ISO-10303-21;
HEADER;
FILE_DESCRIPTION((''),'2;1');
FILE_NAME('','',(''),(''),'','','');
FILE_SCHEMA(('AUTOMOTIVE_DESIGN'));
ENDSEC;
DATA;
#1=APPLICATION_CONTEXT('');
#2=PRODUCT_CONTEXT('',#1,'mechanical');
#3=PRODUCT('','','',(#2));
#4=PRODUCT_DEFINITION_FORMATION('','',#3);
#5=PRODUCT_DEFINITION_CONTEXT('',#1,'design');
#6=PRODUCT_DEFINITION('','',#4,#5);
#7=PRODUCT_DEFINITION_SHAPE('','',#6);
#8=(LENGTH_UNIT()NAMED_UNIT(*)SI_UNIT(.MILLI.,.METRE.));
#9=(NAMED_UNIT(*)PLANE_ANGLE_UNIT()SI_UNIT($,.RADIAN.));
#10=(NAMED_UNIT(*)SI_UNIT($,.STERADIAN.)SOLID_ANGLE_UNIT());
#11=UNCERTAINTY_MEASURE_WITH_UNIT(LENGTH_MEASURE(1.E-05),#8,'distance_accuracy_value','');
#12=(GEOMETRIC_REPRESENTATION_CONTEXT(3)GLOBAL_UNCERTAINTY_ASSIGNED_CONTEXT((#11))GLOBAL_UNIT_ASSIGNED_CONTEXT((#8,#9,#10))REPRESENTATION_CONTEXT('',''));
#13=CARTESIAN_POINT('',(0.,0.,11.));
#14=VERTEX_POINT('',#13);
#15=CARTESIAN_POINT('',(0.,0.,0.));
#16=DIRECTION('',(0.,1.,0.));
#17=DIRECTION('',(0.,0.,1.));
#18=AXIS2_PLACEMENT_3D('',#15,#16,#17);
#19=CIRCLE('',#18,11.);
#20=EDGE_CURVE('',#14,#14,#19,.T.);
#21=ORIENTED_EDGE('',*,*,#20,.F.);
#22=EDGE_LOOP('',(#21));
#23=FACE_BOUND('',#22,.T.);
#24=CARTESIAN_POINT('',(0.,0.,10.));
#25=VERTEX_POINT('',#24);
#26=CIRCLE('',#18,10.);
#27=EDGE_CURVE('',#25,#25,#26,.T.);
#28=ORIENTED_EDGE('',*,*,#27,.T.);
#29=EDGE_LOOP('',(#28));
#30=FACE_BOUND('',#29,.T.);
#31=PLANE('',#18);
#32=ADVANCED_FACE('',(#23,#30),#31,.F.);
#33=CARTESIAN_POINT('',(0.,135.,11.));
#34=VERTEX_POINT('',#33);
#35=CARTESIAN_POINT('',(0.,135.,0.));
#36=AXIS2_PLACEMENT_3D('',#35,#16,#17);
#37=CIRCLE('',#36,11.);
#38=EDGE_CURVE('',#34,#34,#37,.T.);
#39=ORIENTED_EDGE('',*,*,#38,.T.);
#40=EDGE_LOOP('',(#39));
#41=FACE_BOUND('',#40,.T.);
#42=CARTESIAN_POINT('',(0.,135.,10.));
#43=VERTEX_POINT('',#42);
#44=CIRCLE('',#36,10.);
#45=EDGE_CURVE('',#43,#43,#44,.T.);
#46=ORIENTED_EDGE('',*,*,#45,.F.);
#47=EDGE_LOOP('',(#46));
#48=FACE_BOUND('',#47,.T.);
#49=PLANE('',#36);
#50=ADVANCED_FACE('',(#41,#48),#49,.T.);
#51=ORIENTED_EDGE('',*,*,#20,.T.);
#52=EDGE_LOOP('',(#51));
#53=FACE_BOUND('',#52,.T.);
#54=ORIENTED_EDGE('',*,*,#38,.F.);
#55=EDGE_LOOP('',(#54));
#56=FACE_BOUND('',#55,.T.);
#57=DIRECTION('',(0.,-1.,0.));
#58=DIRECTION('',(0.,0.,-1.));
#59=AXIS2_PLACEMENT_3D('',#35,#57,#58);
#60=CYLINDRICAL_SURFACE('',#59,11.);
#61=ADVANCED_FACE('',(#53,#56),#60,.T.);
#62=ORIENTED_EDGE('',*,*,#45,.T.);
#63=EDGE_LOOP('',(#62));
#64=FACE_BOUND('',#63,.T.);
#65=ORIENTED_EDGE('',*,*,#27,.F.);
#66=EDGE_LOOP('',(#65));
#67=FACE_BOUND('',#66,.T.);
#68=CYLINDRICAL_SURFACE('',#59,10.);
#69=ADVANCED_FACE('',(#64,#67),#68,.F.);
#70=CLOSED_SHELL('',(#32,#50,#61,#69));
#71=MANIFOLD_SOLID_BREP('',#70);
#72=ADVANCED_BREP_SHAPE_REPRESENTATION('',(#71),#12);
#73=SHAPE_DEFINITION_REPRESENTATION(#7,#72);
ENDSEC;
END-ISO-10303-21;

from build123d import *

# Parameters (mm, degrees)
SKETCH_1_R      = 11
SKETCH_1_R_2    = 10
EXTRUDE_1_DEPTH = 135


with BuildPart() as part:
    # 草图1 → 凸台-拉伸1 (new body)
    with BuildSketch(Plane(origin=(0, 0, 0), x_dir=(1, 0, 0), z_dir=(0, 1, 0))):
        Circle(SKETCH_1_R)
        Circle(SKETCH_1_R_2, mode=Mode.SUBTRACT)
    extrude(amount=EXTRUDE_1_DEPTH)


solid = part.part
